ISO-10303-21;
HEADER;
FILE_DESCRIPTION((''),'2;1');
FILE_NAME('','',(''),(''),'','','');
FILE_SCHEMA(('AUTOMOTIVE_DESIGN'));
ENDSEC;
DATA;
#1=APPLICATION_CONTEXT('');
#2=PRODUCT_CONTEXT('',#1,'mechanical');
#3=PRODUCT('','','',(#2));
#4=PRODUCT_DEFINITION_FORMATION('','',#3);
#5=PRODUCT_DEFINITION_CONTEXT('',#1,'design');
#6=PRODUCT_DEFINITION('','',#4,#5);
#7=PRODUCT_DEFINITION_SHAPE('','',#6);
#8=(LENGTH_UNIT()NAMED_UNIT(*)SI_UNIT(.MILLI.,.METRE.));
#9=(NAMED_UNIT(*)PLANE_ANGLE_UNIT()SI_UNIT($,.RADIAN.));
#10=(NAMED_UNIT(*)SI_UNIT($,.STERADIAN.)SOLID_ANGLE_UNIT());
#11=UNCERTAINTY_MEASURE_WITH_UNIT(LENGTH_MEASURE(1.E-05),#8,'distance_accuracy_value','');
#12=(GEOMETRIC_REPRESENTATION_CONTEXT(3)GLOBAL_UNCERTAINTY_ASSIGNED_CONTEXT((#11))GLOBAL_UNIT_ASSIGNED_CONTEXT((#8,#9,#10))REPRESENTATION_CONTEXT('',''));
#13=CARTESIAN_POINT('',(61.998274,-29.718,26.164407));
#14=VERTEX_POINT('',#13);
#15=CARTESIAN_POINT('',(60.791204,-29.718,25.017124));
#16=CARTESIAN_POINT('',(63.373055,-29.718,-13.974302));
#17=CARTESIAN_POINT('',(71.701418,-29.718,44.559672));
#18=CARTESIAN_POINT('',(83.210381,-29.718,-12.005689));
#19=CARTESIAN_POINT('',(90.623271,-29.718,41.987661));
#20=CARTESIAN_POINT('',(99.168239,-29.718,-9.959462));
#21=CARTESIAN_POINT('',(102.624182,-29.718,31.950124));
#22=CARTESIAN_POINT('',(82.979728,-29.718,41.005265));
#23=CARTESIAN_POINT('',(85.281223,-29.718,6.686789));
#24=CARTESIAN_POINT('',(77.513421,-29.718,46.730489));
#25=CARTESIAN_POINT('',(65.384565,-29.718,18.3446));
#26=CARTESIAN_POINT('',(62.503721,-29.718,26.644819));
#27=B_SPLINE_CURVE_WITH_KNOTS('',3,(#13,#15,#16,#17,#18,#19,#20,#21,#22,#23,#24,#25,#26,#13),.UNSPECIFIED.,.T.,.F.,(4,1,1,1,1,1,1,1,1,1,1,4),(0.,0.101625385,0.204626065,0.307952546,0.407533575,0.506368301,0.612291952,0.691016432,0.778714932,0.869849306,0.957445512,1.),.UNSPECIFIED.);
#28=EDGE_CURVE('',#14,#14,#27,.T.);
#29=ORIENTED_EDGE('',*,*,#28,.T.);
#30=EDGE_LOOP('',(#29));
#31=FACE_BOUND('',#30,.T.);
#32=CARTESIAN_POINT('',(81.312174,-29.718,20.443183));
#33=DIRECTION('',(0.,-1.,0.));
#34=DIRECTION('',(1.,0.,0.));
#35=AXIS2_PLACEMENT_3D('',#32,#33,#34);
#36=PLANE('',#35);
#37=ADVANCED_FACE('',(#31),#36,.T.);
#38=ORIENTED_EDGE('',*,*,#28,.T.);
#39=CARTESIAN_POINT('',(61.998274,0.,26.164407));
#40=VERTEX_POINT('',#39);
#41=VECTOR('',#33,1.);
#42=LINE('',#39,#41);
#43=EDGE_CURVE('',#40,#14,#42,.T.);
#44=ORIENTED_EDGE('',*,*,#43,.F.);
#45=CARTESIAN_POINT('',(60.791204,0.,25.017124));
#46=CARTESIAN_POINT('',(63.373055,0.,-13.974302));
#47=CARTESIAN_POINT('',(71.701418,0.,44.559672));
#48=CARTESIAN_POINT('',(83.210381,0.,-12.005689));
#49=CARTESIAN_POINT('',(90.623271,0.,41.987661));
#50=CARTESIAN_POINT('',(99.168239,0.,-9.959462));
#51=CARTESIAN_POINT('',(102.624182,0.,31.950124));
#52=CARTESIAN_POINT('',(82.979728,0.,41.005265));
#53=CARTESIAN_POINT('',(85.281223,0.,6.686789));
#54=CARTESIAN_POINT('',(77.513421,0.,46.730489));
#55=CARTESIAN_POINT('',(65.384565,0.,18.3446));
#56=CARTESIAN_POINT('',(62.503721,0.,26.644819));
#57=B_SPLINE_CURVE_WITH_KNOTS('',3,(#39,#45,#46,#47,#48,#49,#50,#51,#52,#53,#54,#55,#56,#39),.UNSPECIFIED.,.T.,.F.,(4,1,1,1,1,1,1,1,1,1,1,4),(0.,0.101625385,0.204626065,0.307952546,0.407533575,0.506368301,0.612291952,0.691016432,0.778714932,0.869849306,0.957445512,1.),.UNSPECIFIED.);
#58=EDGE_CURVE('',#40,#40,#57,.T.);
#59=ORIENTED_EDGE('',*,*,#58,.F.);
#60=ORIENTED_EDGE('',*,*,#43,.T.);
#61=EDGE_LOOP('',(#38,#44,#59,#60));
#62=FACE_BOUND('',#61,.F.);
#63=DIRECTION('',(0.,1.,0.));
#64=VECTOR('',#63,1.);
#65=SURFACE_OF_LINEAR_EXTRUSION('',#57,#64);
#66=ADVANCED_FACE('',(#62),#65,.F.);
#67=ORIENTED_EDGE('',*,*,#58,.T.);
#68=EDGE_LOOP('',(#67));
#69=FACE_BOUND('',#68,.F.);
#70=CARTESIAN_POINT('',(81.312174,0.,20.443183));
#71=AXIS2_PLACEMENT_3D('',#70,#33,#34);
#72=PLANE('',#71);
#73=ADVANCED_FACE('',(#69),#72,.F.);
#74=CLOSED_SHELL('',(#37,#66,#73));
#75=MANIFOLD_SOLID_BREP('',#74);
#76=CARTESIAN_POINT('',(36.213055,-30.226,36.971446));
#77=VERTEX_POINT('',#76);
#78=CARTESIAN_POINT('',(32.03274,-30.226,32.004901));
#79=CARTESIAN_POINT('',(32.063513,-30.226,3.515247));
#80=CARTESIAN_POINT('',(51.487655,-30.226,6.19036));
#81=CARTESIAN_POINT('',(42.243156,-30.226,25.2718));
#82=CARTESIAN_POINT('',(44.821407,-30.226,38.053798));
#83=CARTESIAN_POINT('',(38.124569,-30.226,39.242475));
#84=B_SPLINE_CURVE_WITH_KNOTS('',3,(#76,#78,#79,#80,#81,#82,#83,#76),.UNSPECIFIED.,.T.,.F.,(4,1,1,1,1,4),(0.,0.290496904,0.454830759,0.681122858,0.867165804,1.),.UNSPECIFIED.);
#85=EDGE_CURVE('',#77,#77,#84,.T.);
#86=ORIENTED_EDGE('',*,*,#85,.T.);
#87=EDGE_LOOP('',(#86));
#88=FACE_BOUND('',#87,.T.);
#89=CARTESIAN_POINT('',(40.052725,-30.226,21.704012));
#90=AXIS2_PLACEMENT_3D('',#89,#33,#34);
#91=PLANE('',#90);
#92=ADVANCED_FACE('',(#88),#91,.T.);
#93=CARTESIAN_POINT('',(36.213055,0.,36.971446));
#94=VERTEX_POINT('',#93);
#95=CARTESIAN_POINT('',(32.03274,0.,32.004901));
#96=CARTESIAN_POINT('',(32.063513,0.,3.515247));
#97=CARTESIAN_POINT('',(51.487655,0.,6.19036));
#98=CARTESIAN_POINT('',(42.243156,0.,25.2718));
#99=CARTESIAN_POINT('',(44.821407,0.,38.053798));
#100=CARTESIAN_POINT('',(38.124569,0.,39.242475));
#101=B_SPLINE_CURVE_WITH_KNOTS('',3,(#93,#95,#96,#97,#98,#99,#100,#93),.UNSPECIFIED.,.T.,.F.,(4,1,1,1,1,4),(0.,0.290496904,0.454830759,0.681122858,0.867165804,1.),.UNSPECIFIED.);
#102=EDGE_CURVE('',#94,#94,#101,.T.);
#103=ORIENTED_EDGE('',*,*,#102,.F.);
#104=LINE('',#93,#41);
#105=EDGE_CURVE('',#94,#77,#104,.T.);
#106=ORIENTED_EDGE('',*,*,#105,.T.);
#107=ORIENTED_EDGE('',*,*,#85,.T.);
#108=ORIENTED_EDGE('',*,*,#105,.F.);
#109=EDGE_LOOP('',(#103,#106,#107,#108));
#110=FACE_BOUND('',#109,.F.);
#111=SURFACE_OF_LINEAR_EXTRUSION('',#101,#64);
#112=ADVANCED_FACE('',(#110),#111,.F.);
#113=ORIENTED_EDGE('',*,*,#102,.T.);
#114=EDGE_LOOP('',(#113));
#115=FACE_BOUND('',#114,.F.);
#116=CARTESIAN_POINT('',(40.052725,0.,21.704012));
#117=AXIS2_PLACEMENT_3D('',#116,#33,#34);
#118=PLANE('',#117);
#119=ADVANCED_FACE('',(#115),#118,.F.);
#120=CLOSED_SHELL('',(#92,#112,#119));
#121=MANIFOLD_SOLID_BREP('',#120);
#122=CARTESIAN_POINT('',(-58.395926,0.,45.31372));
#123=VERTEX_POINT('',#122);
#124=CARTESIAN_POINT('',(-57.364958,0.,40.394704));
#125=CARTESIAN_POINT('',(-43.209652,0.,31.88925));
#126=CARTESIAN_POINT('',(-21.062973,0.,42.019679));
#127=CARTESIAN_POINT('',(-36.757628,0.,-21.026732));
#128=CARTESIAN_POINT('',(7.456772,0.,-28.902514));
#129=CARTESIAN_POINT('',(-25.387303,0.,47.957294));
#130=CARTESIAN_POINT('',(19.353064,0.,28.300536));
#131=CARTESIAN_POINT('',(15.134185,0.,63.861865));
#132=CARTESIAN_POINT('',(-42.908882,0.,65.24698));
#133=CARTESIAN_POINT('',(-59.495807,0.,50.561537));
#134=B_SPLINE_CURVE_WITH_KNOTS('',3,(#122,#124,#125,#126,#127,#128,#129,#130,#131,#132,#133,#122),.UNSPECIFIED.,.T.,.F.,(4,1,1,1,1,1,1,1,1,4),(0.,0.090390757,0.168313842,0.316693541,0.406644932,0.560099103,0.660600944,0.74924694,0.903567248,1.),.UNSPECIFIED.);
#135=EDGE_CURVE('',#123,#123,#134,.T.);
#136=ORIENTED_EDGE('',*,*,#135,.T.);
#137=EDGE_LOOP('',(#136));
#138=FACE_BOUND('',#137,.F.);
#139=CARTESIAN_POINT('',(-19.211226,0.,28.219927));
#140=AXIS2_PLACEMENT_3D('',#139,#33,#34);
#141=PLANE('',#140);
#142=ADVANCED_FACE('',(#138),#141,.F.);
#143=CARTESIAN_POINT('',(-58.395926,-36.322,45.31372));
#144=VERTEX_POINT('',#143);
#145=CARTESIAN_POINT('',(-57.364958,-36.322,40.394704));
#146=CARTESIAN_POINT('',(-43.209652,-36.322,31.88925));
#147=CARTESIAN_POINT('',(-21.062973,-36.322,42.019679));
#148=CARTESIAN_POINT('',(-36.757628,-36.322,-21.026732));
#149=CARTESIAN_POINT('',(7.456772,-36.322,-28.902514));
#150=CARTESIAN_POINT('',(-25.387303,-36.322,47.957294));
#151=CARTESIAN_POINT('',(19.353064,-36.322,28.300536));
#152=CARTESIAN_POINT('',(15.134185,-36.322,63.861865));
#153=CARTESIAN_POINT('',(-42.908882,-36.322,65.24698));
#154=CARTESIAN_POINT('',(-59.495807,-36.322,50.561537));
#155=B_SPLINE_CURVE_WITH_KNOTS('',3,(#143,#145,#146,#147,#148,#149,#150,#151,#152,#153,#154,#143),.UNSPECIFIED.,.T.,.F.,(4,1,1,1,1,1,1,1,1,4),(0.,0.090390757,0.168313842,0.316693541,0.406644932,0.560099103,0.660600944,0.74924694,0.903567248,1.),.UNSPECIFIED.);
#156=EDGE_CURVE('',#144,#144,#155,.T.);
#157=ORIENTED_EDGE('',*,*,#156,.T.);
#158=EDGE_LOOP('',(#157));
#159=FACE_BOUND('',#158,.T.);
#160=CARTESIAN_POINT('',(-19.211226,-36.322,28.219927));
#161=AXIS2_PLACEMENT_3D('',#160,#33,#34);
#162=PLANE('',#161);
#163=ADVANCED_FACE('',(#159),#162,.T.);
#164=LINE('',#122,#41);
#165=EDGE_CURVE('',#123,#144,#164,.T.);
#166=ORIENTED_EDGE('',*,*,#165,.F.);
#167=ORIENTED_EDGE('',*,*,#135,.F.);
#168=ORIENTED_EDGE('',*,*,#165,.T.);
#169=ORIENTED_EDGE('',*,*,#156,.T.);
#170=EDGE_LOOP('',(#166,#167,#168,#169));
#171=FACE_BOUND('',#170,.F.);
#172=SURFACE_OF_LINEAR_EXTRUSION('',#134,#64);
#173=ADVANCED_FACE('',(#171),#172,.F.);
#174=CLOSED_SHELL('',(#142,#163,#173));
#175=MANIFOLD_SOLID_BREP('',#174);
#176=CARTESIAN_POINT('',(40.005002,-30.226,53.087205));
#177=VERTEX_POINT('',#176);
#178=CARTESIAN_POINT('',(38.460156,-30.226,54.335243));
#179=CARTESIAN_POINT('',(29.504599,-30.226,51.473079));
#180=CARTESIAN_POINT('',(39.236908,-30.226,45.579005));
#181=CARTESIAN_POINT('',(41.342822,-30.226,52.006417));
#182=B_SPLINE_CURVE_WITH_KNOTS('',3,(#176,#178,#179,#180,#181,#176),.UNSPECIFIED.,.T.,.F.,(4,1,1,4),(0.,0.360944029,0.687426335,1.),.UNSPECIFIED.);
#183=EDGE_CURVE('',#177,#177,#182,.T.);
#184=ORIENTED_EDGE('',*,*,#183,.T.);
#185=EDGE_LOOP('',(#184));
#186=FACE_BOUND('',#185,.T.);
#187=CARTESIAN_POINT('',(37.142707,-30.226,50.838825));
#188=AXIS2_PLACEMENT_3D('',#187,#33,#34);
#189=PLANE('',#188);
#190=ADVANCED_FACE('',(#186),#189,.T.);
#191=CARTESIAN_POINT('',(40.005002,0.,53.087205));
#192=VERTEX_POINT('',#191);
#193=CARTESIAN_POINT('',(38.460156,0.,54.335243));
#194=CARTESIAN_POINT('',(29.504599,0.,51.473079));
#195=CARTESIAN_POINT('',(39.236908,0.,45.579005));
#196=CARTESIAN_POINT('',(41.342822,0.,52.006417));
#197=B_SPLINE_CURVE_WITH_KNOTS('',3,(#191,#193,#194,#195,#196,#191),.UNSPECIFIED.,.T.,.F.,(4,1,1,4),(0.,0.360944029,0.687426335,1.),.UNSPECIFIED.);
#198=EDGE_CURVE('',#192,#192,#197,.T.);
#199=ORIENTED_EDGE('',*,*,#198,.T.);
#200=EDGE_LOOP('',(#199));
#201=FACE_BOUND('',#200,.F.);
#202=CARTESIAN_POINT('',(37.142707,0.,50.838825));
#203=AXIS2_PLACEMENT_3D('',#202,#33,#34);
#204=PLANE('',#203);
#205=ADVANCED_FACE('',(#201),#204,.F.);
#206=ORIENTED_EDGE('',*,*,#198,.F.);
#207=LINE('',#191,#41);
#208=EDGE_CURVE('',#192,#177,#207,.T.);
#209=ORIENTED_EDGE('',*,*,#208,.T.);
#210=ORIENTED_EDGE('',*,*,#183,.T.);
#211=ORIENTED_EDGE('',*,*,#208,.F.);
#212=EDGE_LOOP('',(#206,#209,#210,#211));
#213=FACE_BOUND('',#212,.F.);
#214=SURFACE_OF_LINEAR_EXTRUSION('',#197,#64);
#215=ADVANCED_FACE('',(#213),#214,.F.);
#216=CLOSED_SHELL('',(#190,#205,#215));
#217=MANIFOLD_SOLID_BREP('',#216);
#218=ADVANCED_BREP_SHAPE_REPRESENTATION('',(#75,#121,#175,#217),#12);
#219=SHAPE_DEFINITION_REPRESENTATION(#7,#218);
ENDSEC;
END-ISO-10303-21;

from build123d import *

# Parameters (mm, degrees)
F1_DEPTH = 36.322
F3_DEPTH = 30.226
F5_DEPTH = 29.718


with BuildPart() as f1:
    # F0 (on Front) → F1 (new body)
    with BuildSketch(Plane.XZ):
        with BuildLine():
            add(Edge.make_bspline(
                [(-58.3959259093, 45.31371966), (-57.3649575473, 40.3947044151), (-43.2096523924, 31.8892501944), (-21.0629727788, 42.0196794444), (-36.7576276991, -21.0267317288), (7.4567719863, -28.9025143461), (-25.3873033245, 47.9572937464), (19.353064262, 28.300536212), (15.1341854452, 63.8618645354), (-42.908881695, 65.2469800579), (-59.4958073553, 50.5615369551), (-58.3959259093, 45.31371966)],
                knots=[0, 0, 0, 0, 0.0903907567, 0.168313842, 0.3166935408, 0.4066449324, 0.5600991033, 0.6606009443, 0.7492469402, 0.9035672482, 1, 1, 1, 1], degree=3))
        make_face()
    extrude(amount=F1_DEPTH)


with BuildPart() as f3:
    # F2 (on Front) → F3 (new body)
    with BuildSketch(Plane.XZ):
        with BuildLine():
            add(Edge.make_bspline(
                [(36.213055253, 36.9714461267), (32.0327400358, 32.0049014593), (32.0635127082, 3.5152467107), (51.4876553492, 6.1903601876), (42.2431555996, 25.2718004728), (44.8214073086, 38.0537980335), (38.1245689491, 39.2424753818), (36.213055253, 36.9714461267)],
                knots=[0, 0, 0, 0, 0.2904969045, 0.4548307594, 0.6811228577, 0.8671658038, 1, 1, 1, 1], degree=3))
        make_face()
    extrude(amount=F3_DEPTH)


with BuildPart() as f3b:
    # F2 (on Front) → F3, piece 2 (new body)
    with BuildSketch(Plane.XZ):
        with BuildLine():
            add(Edge.make_bspline(
                [(40.0050021708, 53.0872046947), (38.4601560598, 54.3352425607), (29.5045986484, 51.4730785063), (39.2369081978, 45.579004719), (41.3428223624, 52.0064172655), (40.0050021708, 53.0872046947)],
                knots=[0, 0, 0, 0, 0.3609440295, 0.687426335, 1, 1, 1, 1], degree=3))
        make_face()
    extrude(amount=F3_DEPTH)


with BuildPart() as f5:
    # F4 (on Front) → F5 (new body)
    with BuildSketch(Plane.XZ):
        with BuildLine():
            add(Edge.make_bspline(
                [(61.9982741773, 26.1644069105), (60.7912035582, 25.0171239232), (63.3730545632, -13.97430247), (71.7014177891, 44.5596717298), (83.2103807594, -12.0056889673), (90.6232708183, 41.9876611588), (99.1682392641, -9.9594623936), (102.6241815414, 31.950123527), (82.9797283324, 41.0052646964), (85.2812225466, 6.6867887159), (77.5134213879, 46.7304887629), (65.3845653228, 18.344599951), (62.503721437, 26.6448187711), (61.9982741773, 26.1644069105)],
                knots=[0, 0, 0, 0, 0.1016253853, 0.2046260645, 0.3079525456, 0.4075335749, 0.5063683012, 0.6122919519, 0.6910164325, 0.7787149318, 0.8698493056, 0.9574455117, 1, 1, 1, 1], degree=3))
        make_face()
    extrude(amount=F5_DEPTH)


solid = Compound([f1.part, f3.part, f3b.part, f5.part])
